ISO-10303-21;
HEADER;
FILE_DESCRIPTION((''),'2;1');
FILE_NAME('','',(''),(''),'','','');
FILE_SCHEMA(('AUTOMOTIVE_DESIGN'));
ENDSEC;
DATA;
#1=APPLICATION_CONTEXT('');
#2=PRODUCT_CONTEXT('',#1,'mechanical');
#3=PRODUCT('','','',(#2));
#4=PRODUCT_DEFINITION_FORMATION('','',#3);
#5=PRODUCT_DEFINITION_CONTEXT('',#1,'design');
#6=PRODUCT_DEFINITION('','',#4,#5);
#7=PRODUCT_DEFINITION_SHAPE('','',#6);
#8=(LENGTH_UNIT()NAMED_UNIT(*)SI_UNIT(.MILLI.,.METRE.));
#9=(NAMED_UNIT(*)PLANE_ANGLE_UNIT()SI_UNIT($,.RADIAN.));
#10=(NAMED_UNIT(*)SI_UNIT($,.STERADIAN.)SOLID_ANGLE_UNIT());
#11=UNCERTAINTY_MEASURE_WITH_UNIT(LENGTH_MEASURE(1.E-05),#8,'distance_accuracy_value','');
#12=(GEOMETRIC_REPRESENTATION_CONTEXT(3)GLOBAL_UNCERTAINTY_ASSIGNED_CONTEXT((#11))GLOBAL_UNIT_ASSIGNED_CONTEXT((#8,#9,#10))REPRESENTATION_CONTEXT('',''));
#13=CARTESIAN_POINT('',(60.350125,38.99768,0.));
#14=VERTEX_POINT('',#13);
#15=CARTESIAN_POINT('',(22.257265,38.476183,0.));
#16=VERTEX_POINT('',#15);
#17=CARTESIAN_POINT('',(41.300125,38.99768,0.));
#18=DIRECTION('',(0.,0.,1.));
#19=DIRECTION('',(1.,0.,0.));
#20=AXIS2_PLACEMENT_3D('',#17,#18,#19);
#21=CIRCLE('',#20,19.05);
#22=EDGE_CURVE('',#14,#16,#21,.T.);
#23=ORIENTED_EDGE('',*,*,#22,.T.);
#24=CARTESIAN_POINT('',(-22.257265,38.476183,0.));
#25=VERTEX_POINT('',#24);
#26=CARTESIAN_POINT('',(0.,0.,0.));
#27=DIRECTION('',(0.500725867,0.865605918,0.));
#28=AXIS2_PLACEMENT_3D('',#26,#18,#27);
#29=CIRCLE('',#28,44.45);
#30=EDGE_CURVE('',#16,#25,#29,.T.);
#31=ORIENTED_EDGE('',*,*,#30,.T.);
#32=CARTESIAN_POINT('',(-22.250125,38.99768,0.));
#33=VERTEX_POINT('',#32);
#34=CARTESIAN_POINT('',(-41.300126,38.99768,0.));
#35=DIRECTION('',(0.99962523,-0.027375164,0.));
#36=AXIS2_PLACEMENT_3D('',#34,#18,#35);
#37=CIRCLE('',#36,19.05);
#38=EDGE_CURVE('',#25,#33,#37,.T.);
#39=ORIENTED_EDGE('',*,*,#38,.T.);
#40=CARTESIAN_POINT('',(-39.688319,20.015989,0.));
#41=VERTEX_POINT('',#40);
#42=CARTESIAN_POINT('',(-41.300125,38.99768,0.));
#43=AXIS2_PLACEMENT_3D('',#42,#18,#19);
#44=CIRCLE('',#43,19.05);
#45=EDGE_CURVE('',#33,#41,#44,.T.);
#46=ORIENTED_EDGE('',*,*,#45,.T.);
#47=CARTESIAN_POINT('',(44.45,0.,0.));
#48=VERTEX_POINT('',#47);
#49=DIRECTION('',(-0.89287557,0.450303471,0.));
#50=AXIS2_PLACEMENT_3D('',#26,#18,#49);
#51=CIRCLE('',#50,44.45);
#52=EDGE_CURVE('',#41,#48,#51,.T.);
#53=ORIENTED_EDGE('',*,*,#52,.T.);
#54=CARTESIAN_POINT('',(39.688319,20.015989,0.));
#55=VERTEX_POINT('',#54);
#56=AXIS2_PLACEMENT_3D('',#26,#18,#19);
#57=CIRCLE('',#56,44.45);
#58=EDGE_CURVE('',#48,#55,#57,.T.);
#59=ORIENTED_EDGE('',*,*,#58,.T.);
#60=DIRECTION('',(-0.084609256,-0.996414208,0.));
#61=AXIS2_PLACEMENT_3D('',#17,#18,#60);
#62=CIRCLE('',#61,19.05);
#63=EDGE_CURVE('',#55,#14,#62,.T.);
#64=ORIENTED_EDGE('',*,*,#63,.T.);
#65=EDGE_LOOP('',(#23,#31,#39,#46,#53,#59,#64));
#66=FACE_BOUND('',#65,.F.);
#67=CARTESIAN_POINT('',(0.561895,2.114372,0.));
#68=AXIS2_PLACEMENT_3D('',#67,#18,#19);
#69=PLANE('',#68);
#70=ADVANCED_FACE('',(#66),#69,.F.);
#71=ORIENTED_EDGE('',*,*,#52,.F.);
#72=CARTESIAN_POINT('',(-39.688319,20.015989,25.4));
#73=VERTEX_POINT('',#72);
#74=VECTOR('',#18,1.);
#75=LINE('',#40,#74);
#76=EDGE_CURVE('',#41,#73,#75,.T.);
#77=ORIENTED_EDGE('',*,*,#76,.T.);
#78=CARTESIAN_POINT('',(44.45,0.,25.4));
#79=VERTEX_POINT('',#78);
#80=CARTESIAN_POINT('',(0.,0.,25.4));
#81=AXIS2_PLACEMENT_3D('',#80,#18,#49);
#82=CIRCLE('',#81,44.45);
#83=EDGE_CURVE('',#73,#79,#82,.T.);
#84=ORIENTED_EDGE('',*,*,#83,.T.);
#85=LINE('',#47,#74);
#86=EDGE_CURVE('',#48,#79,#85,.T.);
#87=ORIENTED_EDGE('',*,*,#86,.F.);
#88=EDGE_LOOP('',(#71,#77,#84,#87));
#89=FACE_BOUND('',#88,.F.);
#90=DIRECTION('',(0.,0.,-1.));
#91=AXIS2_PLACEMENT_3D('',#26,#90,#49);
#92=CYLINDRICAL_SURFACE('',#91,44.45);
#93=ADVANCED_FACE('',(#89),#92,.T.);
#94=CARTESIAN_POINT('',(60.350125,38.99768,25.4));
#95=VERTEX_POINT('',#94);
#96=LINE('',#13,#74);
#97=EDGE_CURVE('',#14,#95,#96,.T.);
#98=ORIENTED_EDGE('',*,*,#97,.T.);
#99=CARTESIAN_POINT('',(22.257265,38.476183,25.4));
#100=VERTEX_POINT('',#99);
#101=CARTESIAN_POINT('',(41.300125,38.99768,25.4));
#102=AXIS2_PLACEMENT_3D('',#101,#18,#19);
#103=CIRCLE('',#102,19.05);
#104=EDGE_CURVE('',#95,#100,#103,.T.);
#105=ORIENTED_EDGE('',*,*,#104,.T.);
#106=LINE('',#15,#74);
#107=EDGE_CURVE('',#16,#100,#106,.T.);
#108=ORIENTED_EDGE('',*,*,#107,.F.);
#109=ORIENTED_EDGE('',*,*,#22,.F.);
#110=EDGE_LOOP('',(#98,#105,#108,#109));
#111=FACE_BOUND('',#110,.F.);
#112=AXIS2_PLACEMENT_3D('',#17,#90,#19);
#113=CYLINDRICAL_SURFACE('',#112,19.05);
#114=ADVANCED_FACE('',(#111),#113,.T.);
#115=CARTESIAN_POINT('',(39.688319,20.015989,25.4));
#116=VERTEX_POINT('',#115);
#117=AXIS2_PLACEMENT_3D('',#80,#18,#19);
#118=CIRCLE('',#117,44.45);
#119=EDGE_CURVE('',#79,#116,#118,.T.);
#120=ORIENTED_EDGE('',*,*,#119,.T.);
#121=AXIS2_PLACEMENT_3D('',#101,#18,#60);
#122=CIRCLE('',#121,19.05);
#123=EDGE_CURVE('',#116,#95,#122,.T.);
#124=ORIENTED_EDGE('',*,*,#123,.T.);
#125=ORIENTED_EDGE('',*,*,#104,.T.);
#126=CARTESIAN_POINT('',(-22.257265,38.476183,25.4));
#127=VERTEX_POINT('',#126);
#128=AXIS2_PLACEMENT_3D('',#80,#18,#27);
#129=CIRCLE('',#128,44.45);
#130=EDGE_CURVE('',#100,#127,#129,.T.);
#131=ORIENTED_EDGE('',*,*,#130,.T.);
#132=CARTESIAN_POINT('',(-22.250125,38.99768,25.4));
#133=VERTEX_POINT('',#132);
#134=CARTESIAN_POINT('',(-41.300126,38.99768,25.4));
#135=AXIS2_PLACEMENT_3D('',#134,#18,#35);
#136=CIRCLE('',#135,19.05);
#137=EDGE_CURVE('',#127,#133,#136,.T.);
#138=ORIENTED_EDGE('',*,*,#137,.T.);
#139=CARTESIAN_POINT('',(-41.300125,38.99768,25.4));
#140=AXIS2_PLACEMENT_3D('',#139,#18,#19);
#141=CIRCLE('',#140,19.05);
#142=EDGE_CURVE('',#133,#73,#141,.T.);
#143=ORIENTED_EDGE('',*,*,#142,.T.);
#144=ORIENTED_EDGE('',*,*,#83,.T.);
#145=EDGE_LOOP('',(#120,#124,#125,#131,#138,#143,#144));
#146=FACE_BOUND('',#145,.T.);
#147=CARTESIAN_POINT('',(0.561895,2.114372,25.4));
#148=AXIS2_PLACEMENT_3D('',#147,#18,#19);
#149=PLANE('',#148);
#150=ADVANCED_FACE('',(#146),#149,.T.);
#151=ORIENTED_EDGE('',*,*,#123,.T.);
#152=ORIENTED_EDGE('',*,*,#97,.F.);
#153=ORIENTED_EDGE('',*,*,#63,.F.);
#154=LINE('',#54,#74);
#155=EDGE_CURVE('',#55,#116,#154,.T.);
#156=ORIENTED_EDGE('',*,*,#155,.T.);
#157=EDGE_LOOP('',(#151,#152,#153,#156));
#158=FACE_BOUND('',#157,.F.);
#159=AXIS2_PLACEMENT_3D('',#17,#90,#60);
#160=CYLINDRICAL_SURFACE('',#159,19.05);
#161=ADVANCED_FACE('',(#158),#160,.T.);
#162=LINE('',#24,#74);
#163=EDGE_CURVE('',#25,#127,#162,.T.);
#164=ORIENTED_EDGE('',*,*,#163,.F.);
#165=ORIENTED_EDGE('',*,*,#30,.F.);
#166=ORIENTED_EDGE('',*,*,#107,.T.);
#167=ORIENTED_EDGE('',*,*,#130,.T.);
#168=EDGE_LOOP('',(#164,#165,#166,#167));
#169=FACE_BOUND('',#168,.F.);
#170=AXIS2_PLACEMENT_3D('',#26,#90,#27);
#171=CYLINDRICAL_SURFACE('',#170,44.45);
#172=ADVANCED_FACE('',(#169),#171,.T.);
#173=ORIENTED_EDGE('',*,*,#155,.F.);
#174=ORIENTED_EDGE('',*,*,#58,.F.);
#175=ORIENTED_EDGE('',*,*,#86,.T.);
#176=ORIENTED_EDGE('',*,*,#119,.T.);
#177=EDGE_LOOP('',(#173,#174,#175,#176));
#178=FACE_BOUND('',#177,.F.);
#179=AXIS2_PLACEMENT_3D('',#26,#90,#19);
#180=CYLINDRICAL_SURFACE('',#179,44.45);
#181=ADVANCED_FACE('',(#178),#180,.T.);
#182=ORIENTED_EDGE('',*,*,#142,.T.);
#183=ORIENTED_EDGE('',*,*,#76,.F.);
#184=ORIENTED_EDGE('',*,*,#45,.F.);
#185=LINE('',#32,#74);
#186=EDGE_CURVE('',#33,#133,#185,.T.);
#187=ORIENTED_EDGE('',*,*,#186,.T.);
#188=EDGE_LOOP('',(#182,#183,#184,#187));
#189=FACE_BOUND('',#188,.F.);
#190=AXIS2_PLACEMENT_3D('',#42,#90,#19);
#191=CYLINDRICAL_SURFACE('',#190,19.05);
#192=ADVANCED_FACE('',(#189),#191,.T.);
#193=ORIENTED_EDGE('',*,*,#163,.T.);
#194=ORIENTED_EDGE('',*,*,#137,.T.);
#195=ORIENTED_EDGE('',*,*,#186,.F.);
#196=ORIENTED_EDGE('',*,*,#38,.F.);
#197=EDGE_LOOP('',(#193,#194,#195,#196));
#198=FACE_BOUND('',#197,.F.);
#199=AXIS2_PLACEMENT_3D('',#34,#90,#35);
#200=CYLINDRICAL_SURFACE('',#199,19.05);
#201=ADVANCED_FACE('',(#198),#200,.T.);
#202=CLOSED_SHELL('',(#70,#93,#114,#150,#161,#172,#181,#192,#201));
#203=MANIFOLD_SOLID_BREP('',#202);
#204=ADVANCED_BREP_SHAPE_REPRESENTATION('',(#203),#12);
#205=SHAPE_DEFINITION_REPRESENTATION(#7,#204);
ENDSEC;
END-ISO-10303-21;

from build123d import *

# Parameters (mm, degrees)
F1_DEPTH = 25.4


with BuildPart() as f1:
    # F0 (on Top) → F1 (new body)
    with BuildSketch(Plane.XY):
        with BuildLine():
            ThreePointArc((-39.6883190985, 20.015989287), (-10.2872910932, -43.2431976381), (44.45, 0))
            ThreePointArc((44.45, 0), (43.2431976381, 10.2872910932), (39.6883190985, 20.015989287))
            ThreePointArc((39.6883190985, 20.015989287), (27.4491866283, 25.9189187465), (22.2572647891, 38.4761830761))
            ThreePointArc((22.2572647891, 38.4761830761), (0, 44.45), (-22.2572647891, 38.4761830761))
            ThreePointArc((-22.2572647891, 38.4761830761), (-27.4491866283, 25.9189187465), (-39.6883190985, 20.015989287))
        make_face()
        with BuildLine():
            ThreePointArc((-22.2572647891, 38.4761830761), (-32.3188571809, 30.517109472), (-39.6883190985, 20.015989287))
            ThreePointArc((-39.6883190985, 20.015989287), (-27.4491866283, 25.9189187465), (-22.2572647891, 38.4761830761))
        make_face()
        with BuildLine():
            ThreePointArc((-22.2501254201, 38.9976799488), (-55.3287998127, 51.8856120865), (-39.6883190985, 20.015989287))
            ThreePointArc((-39.6883190985, 20.015989287), (-32.3188571809, 30.517109472), (-22.2572647891, 38.4761830761))
            ThreePointArc((-22.2572647891, 38.4761830761), (-22.251910346, 38.7369070789), (-22.2501254201, 38.9976799488))
        make_face()
        with BuildLine():
            ThreePointArc((22.2572647891, 38.4761830761), (32.3188571809, 30.517109472), (39.6883190985, 20.015989287))
            ThreePointArc((39.6883190985, 20.015989287), (54.1880575578, 24.9690055562), (60.3501254201, 38.9976799488))
            ThreePointArc((60.3501254201, 38.9976799488), (41.0393525501, 58.0458950229), (22.2572647891, 38.4761830761))
        make_face()
        with BuildLine():
            ThreePointArc((22.2572647891, 38.4761830761), (27.4491866283, 25.9189187465), (39.6883190985, 20.015989287))
            ThreePointArc((39.6883190985, 20.015989287), (32.3188571809, 30.517109472), (22.2572647891, 38.4761830761))
        make_face()
    extrude(amount=F1_DEPTH)


solid = f1.part
